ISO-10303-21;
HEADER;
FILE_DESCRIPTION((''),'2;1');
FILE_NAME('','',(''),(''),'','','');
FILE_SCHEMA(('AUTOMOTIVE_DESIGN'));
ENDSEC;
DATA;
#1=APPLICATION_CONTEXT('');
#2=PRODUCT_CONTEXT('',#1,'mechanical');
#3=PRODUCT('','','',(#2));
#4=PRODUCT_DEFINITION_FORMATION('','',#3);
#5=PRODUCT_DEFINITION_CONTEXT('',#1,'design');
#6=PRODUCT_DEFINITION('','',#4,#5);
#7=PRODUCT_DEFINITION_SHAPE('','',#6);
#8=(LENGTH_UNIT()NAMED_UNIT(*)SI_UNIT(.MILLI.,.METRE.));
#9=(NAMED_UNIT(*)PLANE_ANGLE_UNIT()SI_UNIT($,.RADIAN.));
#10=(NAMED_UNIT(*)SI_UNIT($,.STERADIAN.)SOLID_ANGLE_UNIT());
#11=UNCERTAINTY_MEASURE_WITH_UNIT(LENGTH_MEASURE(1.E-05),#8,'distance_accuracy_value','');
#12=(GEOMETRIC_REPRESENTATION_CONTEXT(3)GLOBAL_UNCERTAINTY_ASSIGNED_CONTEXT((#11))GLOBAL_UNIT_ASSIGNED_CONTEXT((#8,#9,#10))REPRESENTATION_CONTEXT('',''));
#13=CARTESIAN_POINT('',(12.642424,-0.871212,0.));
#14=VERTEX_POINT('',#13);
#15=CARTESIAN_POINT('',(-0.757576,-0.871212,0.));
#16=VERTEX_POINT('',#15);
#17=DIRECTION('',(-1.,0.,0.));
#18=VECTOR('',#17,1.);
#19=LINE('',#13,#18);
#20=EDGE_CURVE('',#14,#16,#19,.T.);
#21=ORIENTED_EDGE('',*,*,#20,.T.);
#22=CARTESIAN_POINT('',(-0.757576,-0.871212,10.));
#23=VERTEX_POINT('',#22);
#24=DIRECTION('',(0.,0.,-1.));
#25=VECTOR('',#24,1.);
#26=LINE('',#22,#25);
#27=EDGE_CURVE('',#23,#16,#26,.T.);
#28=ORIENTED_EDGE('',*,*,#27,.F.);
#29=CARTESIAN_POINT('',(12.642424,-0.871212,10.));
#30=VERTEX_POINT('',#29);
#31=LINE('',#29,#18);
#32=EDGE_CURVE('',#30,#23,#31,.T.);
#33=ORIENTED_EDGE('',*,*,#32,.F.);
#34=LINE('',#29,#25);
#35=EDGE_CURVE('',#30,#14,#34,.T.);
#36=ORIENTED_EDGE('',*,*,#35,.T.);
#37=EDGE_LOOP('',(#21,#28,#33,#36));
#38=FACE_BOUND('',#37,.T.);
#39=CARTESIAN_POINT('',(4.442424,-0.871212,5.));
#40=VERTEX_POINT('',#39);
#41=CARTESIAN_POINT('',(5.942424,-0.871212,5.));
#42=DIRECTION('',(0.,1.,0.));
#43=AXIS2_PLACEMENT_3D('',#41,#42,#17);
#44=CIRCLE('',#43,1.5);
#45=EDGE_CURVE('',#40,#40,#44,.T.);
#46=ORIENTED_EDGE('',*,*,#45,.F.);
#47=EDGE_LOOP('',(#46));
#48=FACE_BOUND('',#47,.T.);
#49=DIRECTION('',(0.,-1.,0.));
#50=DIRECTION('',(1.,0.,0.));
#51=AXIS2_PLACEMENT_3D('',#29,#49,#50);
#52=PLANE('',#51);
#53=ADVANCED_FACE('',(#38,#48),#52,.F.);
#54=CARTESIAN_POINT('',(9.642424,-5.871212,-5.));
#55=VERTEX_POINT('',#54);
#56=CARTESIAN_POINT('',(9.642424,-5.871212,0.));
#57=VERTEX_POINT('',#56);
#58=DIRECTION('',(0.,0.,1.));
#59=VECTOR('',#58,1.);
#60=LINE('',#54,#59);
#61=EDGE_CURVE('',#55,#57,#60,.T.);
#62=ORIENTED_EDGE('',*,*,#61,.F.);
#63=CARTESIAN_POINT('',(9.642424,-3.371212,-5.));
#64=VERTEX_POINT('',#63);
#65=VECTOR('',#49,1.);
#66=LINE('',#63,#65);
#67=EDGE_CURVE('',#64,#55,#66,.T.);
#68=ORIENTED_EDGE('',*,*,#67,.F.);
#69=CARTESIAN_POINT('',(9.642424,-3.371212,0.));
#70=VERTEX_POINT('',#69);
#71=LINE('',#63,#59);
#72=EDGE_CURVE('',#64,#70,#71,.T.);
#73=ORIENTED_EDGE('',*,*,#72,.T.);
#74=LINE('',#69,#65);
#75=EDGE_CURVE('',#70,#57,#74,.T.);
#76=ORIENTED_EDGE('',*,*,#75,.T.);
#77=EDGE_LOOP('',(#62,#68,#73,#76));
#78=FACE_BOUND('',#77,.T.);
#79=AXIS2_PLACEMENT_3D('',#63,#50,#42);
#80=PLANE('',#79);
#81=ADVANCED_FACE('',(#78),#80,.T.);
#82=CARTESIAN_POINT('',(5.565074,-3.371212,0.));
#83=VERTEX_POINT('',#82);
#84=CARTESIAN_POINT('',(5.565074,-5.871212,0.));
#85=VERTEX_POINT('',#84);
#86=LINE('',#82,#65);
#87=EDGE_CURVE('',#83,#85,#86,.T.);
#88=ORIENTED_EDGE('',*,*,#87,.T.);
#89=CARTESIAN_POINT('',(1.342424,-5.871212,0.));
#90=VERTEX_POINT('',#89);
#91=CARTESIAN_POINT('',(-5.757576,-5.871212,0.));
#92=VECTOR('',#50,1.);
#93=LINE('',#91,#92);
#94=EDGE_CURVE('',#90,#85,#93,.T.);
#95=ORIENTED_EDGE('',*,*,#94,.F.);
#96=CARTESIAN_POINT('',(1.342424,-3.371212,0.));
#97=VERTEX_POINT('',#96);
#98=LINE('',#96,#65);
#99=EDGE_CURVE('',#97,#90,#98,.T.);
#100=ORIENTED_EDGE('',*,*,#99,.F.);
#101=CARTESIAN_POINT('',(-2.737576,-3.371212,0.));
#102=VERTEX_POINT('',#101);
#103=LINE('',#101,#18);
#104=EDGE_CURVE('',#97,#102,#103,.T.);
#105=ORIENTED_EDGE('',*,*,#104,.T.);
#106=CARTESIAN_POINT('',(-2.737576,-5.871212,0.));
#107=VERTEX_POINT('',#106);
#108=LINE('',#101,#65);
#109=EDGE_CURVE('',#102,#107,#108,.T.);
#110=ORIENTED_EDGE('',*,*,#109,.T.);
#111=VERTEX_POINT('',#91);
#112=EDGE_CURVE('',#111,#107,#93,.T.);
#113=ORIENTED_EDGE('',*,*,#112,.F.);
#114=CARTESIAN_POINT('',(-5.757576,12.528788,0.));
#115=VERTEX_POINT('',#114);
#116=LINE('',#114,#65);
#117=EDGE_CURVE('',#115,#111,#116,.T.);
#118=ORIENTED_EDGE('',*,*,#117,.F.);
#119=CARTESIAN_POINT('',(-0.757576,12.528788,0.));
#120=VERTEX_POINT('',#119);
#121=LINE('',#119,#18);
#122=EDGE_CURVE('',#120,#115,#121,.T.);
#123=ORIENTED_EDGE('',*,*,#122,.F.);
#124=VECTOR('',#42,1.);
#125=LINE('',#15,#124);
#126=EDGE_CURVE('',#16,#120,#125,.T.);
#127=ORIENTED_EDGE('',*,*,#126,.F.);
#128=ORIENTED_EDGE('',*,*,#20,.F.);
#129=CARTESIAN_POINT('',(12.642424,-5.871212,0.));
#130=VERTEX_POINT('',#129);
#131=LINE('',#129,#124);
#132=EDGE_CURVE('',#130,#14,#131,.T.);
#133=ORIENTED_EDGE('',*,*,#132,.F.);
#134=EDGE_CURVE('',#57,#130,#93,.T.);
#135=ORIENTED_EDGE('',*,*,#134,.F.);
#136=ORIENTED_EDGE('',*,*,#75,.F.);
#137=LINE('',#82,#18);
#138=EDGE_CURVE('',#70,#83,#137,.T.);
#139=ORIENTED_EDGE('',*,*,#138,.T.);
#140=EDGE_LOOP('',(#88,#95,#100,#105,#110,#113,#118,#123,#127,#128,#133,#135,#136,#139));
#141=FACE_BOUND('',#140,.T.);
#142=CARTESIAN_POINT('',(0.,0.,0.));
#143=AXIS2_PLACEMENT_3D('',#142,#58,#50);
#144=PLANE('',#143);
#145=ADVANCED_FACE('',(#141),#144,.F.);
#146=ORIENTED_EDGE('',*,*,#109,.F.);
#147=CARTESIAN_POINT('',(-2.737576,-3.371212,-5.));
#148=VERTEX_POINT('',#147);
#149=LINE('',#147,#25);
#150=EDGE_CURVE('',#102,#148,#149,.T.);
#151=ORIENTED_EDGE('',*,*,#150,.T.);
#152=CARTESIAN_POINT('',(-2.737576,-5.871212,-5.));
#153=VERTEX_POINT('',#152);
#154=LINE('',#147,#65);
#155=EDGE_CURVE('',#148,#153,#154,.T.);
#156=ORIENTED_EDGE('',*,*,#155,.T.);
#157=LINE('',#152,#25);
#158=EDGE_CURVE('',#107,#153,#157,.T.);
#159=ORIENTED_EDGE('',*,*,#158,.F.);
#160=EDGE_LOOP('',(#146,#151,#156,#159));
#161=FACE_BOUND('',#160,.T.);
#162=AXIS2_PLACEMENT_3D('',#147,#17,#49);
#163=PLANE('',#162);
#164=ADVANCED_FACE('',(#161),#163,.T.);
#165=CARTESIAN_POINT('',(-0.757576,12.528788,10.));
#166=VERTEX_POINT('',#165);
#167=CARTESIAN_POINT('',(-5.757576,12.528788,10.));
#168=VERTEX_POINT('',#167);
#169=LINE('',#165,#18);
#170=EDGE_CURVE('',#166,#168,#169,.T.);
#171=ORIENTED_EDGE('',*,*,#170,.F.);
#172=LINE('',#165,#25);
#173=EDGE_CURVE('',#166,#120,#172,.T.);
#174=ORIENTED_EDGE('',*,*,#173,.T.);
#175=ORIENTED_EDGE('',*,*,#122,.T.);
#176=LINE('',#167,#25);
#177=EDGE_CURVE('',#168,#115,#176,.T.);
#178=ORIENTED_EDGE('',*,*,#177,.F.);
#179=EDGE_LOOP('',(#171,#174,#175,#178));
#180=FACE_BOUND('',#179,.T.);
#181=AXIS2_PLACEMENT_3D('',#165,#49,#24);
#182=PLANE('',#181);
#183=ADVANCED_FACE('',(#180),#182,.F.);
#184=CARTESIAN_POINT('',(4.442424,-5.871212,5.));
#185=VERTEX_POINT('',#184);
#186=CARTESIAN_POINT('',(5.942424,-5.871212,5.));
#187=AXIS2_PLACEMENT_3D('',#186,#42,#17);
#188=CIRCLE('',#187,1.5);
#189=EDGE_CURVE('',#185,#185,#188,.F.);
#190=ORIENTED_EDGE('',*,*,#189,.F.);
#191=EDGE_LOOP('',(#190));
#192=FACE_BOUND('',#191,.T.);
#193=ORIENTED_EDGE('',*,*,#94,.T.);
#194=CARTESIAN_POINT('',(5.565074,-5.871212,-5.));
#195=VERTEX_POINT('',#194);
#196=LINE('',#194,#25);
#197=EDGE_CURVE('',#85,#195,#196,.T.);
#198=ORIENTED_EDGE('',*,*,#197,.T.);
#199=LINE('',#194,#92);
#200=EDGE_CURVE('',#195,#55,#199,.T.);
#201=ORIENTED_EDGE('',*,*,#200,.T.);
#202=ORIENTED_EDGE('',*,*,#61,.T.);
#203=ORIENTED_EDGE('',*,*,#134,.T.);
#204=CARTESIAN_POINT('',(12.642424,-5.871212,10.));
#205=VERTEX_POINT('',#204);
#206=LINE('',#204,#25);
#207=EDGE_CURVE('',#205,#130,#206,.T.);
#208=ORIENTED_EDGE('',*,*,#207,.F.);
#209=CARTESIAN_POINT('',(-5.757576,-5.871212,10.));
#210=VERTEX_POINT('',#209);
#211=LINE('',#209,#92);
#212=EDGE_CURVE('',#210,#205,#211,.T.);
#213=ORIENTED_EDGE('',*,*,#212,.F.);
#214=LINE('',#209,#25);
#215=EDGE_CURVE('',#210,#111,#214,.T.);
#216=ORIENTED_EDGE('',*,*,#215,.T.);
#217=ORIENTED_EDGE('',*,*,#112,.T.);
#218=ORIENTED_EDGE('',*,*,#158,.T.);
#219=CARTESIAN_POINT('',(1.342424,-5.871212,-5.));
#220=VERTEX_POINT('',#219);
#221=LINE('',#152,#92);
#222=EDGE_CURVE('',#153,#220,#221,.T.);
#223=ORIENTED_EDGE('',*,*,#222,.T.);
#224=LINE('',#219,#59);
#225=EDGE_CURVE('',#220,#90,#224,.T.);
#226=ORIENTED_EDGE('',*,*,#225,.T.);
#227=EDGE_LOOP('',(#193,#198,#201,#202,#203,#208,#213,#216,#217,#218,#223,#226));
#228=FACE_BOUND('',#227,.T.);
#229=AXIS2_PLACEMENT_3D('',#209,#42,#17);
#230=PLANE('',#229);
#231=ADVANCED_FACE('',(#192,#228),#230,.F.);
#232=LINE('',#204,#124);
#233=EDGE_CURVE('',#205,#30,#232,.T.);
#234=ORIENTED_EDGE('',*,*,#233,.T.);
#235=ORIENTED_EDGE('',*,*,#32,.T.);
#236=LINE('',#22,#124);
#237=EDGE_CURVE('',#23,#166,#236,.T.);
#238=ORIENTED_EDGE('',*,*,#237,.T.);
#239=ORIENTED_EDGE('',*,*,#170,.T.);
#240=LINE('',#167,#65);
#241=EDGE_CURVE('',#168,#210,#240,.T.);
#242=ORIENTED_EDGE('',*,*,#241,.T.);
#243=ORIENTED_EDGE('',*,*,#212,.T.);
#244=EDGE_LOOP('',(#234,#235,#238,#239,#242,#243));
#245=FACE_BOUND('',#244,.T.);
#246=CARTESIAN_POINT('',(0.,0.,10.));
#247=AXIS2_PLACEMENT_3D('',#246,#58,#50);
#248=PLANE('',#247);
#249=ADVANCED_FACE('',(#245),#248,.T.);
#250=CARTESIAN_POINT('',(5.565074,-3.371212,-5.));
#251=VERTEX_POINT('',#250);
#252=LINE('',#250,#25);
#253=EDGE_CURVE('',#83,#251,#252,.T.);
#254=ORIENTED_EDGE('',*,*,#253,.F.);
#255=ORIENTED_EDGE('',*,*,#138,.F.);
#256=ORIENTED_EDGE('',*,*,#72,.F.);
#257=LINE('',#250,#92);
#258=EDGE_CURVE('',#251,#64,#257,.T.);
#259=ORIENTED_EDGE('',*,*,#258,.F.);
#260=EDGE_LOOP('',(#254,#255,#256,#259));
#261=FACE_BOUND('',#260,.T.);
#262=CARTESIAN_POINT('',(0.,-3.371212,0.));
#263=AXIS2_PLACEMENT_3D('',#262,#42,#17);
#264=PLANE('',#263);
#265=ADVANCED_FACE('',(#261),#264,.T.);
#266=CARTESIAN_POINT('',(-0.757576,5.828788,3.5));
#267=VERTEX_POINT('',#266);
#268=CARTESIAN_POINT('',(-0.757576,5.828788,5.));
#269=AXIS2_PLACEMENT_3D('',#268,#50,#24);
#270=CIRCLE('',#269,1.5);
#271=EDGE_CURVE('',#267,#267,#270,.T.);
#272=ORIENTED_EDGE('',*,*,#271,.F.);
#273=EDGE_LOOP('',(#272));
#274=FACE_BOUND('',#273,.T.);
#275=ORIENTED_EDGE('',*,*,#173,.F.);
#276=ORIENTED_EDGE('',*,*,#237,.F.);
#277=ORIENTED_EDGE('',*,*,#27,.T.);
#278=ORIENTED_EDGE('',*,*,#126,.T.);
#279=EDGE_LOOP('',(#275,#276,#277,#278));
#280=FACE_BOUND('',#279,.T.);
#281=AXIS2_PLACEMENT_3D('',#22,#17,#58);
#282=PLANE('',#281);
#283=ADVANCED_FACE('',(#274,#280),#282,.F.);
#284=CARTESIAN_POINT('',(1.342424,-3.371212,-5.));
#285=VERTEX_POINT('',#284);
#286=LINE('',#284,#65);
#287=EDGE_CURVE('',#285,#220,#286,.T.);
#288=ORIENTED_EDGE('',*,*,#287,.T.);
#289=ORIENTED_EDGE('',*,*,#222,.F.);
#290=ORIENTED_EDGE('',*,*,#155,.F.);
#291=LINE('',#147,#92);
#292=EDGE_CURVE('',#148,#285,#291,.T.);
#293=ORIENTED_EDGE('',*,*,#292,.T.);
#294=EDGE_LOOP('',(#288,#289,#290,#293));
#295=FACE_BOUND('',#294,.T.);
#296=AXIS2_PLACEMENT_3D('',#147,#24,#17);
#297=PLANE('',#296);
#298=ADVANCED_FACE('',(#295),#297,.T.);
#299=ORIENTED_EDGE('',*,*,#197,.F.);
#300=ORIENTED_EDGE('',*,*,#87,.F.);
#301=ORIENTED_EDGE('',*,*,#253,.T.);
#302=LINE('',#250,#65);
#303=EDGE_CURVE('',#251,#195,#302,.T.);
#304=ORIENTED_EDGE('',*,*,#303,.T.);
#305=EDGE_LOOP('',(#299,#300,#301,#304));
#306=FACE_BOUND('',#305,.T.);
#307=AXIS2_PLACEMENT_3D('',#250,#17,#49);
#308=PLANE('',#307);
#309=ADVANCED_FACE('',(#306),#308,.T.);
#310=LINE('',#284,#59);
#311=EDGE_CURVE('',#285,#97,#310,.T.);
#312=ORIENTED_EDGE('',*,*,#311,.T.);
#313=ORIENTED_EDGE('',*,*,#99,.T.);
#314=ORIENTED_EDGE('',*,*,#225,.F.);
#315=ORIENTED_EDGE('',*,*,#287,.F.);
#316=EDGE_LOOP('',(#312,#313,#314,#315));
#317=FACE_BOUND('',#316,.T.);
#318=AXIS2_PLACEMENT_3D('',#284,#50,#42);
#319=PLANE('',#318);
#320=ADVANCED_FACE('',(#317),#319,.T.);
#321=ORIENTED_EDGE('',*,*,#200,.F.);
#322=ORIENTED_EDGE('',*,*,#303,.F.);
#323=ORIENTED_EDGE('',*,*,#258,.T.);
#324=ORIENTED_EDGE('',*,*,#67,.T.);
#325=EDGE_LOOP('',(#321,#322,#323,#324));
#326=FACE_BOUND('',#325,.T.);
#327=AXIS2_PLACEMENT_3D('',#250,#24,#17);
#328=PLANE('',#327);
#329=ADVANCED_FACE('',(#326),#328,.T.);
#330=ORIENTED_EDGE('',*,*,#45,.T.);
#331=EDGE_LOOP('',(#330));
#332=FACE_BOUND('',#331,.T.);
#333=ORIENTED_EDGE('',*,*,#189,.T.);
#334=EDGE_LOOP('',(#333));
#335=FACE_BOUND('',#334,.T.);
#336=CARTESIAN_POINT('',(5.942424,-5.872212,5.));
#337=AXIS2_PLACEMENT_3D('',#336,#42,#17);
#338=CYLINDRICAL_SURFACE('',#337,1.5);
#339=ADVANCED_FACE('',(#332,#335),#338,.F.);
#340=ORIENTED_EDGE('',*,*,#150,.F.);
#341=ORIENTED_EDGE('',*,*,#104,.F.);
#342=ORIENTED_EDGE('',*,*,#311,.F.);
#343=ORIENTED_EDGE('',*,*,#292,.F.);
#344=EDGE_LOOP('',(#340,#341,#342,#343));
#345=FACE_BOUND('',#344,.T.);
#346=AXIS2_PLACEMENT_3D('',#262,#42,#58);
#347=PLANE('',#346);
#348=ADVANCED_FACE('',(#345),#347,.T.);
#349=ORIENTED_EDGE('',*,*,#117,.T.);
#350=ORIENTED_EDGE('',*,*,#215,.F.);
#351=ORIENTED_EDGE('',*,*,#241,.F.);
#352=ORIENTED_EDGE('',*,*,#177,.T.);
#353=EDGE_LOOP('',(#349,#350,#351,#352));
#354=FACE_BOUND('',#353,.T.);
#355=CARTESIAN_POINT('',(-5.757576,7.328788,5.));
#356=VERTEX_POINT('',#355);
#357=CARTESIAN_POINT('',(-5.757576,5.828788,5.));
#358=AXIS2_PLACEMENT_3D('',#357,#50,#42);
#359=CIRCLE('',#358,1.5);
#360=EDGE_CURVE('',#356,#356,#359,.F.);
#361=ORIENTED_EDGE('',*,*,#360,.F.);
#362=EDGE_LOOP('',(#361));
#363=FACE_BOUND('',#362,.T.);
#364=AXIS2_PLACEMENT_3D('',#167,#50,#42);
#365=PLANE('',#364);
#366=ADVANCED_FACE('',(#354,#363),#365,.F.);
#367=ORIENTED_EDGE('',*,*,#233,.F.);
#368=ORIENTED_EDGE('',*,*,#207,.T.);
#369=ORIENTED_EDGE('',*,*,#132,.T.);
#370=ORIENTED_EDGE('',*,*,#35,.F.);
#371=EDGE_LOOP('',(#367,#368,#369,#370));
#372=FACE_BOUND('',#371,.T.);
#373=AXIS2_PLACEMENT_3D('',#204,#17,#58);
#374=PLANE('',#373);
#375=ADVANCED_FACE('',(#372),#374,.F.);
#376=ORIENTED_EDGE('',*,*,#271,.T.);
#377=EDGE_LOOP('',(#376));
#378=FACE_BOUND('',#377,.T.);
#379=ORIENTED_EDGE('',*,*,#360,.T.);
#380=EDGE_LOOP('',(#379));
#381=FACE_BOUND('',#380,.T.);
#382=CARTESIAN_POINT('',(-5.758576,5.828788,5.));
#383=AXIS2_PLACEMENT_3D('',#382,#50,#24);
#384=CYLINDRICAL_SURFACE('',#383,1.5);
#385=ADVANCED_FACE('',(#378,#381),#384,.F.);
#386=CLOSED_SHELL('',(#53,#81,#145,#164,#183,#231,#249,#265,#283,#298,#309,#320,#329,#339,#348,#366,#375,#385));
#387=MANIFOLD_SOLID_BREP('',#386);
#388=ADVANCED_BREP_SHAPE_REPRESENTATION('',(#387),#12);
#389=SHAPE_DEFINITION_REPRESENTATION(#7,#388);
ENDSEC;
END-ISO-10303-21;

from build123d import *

# Parameters (mm, degrees)
BOSS_EXTRUDE1_DEPTH = 10
CUT_EXTRUDE1_REACH  = 22.962
SKETCH2_R           = 1.5
CUT_EXTRUDE2_REACH  = 22.893
SKETCH3_R           = 1.5
SKETCH4_W           = 4.077350098
SKETCH4_H           = 5
SKETCH4_W_2         = 4.08
BOSS_EXTRUDE2_DEPTH = 2.5


with BuildPart() as part:
    # Sketch1 → Boss-Extrude1 (new body)
    with BuildSketch(Plane.XY):
        Polygon((-0.757575758, 12.528787879), (-5.757575758, 12.528787879), (-5.757575758, -5.871212121), (12.642424242, -5.871212121), (12.642424242, -0.871212121), (-0.757575758, -0.871212121), align=None)
    extrude(amount=BOSS_EXTRUDE1_DEPTH)

    # Sketch2 → Cut-Extrude1 (cut, up to next)
    with BuildSketch(Plane(origin=(0, -0.871212121, 0), x_dir=(1, 0, 0), z_dir=(0, 1, 0)), mode=Mode.PRIVATE) as cut_extrude1_sk1:
        with Locations(Location((5.942424242, -5, 0), (0, 0, 180))):
            Circle(SKETCH2_R)
    cut_extrude1_tool1 = extrude(cut_extrude1_sk1.sketch, amount=-CUT_EXTRUDE1_REACH, mode=Mode.PRIVATE) & part.part
    add(cut_extrude1_tool1.solids().sort_by_distance((5.942424, -0.871212, 5))[0], mode=Mode.SUBTRACT)

    # Sketch3 → Cut-Extrude2 (cut, up to next)
    with BuildSketch(Plane(origin=(-0.757575758, 0, 0), x_dir=(0, 0, -1), z_dir=(1, 0, 0)), mode=Mode.PRIVATE) as cut_extrude2_sk1:
        with Locations((-5, 5.828787879)):
            Circle(SKETCH3_R)
    cut_extrude2_tool1 = extrude(cut_extrude2_sk1.sketch, amount=-CUT_EXTRUDE2_REACH, mode=Mode.PRIVATE) & part.part
    add(cut_extrude2_tool1.solids().sort_by_distance((-0.757576, 5.828788, 5))[0], mode=Mode.SUBTRACT)

    # Sketch4 → Boss-Extrude2 (add)
    with BuildSketch(Plane.XZ.offset(5.871212121)):
        with Locations((7.603749193, -2.5)):
            Rectangle(SKETCH4_W, SKETCH4_H)
        with Locations((-0.697575758, -2.5)):
            Rectangle(SKETCH4_W_2, SKETCH4_H)
    extrude(amount=-BOSS_EXTRUDE2_DEPTH)


solid = part.part
